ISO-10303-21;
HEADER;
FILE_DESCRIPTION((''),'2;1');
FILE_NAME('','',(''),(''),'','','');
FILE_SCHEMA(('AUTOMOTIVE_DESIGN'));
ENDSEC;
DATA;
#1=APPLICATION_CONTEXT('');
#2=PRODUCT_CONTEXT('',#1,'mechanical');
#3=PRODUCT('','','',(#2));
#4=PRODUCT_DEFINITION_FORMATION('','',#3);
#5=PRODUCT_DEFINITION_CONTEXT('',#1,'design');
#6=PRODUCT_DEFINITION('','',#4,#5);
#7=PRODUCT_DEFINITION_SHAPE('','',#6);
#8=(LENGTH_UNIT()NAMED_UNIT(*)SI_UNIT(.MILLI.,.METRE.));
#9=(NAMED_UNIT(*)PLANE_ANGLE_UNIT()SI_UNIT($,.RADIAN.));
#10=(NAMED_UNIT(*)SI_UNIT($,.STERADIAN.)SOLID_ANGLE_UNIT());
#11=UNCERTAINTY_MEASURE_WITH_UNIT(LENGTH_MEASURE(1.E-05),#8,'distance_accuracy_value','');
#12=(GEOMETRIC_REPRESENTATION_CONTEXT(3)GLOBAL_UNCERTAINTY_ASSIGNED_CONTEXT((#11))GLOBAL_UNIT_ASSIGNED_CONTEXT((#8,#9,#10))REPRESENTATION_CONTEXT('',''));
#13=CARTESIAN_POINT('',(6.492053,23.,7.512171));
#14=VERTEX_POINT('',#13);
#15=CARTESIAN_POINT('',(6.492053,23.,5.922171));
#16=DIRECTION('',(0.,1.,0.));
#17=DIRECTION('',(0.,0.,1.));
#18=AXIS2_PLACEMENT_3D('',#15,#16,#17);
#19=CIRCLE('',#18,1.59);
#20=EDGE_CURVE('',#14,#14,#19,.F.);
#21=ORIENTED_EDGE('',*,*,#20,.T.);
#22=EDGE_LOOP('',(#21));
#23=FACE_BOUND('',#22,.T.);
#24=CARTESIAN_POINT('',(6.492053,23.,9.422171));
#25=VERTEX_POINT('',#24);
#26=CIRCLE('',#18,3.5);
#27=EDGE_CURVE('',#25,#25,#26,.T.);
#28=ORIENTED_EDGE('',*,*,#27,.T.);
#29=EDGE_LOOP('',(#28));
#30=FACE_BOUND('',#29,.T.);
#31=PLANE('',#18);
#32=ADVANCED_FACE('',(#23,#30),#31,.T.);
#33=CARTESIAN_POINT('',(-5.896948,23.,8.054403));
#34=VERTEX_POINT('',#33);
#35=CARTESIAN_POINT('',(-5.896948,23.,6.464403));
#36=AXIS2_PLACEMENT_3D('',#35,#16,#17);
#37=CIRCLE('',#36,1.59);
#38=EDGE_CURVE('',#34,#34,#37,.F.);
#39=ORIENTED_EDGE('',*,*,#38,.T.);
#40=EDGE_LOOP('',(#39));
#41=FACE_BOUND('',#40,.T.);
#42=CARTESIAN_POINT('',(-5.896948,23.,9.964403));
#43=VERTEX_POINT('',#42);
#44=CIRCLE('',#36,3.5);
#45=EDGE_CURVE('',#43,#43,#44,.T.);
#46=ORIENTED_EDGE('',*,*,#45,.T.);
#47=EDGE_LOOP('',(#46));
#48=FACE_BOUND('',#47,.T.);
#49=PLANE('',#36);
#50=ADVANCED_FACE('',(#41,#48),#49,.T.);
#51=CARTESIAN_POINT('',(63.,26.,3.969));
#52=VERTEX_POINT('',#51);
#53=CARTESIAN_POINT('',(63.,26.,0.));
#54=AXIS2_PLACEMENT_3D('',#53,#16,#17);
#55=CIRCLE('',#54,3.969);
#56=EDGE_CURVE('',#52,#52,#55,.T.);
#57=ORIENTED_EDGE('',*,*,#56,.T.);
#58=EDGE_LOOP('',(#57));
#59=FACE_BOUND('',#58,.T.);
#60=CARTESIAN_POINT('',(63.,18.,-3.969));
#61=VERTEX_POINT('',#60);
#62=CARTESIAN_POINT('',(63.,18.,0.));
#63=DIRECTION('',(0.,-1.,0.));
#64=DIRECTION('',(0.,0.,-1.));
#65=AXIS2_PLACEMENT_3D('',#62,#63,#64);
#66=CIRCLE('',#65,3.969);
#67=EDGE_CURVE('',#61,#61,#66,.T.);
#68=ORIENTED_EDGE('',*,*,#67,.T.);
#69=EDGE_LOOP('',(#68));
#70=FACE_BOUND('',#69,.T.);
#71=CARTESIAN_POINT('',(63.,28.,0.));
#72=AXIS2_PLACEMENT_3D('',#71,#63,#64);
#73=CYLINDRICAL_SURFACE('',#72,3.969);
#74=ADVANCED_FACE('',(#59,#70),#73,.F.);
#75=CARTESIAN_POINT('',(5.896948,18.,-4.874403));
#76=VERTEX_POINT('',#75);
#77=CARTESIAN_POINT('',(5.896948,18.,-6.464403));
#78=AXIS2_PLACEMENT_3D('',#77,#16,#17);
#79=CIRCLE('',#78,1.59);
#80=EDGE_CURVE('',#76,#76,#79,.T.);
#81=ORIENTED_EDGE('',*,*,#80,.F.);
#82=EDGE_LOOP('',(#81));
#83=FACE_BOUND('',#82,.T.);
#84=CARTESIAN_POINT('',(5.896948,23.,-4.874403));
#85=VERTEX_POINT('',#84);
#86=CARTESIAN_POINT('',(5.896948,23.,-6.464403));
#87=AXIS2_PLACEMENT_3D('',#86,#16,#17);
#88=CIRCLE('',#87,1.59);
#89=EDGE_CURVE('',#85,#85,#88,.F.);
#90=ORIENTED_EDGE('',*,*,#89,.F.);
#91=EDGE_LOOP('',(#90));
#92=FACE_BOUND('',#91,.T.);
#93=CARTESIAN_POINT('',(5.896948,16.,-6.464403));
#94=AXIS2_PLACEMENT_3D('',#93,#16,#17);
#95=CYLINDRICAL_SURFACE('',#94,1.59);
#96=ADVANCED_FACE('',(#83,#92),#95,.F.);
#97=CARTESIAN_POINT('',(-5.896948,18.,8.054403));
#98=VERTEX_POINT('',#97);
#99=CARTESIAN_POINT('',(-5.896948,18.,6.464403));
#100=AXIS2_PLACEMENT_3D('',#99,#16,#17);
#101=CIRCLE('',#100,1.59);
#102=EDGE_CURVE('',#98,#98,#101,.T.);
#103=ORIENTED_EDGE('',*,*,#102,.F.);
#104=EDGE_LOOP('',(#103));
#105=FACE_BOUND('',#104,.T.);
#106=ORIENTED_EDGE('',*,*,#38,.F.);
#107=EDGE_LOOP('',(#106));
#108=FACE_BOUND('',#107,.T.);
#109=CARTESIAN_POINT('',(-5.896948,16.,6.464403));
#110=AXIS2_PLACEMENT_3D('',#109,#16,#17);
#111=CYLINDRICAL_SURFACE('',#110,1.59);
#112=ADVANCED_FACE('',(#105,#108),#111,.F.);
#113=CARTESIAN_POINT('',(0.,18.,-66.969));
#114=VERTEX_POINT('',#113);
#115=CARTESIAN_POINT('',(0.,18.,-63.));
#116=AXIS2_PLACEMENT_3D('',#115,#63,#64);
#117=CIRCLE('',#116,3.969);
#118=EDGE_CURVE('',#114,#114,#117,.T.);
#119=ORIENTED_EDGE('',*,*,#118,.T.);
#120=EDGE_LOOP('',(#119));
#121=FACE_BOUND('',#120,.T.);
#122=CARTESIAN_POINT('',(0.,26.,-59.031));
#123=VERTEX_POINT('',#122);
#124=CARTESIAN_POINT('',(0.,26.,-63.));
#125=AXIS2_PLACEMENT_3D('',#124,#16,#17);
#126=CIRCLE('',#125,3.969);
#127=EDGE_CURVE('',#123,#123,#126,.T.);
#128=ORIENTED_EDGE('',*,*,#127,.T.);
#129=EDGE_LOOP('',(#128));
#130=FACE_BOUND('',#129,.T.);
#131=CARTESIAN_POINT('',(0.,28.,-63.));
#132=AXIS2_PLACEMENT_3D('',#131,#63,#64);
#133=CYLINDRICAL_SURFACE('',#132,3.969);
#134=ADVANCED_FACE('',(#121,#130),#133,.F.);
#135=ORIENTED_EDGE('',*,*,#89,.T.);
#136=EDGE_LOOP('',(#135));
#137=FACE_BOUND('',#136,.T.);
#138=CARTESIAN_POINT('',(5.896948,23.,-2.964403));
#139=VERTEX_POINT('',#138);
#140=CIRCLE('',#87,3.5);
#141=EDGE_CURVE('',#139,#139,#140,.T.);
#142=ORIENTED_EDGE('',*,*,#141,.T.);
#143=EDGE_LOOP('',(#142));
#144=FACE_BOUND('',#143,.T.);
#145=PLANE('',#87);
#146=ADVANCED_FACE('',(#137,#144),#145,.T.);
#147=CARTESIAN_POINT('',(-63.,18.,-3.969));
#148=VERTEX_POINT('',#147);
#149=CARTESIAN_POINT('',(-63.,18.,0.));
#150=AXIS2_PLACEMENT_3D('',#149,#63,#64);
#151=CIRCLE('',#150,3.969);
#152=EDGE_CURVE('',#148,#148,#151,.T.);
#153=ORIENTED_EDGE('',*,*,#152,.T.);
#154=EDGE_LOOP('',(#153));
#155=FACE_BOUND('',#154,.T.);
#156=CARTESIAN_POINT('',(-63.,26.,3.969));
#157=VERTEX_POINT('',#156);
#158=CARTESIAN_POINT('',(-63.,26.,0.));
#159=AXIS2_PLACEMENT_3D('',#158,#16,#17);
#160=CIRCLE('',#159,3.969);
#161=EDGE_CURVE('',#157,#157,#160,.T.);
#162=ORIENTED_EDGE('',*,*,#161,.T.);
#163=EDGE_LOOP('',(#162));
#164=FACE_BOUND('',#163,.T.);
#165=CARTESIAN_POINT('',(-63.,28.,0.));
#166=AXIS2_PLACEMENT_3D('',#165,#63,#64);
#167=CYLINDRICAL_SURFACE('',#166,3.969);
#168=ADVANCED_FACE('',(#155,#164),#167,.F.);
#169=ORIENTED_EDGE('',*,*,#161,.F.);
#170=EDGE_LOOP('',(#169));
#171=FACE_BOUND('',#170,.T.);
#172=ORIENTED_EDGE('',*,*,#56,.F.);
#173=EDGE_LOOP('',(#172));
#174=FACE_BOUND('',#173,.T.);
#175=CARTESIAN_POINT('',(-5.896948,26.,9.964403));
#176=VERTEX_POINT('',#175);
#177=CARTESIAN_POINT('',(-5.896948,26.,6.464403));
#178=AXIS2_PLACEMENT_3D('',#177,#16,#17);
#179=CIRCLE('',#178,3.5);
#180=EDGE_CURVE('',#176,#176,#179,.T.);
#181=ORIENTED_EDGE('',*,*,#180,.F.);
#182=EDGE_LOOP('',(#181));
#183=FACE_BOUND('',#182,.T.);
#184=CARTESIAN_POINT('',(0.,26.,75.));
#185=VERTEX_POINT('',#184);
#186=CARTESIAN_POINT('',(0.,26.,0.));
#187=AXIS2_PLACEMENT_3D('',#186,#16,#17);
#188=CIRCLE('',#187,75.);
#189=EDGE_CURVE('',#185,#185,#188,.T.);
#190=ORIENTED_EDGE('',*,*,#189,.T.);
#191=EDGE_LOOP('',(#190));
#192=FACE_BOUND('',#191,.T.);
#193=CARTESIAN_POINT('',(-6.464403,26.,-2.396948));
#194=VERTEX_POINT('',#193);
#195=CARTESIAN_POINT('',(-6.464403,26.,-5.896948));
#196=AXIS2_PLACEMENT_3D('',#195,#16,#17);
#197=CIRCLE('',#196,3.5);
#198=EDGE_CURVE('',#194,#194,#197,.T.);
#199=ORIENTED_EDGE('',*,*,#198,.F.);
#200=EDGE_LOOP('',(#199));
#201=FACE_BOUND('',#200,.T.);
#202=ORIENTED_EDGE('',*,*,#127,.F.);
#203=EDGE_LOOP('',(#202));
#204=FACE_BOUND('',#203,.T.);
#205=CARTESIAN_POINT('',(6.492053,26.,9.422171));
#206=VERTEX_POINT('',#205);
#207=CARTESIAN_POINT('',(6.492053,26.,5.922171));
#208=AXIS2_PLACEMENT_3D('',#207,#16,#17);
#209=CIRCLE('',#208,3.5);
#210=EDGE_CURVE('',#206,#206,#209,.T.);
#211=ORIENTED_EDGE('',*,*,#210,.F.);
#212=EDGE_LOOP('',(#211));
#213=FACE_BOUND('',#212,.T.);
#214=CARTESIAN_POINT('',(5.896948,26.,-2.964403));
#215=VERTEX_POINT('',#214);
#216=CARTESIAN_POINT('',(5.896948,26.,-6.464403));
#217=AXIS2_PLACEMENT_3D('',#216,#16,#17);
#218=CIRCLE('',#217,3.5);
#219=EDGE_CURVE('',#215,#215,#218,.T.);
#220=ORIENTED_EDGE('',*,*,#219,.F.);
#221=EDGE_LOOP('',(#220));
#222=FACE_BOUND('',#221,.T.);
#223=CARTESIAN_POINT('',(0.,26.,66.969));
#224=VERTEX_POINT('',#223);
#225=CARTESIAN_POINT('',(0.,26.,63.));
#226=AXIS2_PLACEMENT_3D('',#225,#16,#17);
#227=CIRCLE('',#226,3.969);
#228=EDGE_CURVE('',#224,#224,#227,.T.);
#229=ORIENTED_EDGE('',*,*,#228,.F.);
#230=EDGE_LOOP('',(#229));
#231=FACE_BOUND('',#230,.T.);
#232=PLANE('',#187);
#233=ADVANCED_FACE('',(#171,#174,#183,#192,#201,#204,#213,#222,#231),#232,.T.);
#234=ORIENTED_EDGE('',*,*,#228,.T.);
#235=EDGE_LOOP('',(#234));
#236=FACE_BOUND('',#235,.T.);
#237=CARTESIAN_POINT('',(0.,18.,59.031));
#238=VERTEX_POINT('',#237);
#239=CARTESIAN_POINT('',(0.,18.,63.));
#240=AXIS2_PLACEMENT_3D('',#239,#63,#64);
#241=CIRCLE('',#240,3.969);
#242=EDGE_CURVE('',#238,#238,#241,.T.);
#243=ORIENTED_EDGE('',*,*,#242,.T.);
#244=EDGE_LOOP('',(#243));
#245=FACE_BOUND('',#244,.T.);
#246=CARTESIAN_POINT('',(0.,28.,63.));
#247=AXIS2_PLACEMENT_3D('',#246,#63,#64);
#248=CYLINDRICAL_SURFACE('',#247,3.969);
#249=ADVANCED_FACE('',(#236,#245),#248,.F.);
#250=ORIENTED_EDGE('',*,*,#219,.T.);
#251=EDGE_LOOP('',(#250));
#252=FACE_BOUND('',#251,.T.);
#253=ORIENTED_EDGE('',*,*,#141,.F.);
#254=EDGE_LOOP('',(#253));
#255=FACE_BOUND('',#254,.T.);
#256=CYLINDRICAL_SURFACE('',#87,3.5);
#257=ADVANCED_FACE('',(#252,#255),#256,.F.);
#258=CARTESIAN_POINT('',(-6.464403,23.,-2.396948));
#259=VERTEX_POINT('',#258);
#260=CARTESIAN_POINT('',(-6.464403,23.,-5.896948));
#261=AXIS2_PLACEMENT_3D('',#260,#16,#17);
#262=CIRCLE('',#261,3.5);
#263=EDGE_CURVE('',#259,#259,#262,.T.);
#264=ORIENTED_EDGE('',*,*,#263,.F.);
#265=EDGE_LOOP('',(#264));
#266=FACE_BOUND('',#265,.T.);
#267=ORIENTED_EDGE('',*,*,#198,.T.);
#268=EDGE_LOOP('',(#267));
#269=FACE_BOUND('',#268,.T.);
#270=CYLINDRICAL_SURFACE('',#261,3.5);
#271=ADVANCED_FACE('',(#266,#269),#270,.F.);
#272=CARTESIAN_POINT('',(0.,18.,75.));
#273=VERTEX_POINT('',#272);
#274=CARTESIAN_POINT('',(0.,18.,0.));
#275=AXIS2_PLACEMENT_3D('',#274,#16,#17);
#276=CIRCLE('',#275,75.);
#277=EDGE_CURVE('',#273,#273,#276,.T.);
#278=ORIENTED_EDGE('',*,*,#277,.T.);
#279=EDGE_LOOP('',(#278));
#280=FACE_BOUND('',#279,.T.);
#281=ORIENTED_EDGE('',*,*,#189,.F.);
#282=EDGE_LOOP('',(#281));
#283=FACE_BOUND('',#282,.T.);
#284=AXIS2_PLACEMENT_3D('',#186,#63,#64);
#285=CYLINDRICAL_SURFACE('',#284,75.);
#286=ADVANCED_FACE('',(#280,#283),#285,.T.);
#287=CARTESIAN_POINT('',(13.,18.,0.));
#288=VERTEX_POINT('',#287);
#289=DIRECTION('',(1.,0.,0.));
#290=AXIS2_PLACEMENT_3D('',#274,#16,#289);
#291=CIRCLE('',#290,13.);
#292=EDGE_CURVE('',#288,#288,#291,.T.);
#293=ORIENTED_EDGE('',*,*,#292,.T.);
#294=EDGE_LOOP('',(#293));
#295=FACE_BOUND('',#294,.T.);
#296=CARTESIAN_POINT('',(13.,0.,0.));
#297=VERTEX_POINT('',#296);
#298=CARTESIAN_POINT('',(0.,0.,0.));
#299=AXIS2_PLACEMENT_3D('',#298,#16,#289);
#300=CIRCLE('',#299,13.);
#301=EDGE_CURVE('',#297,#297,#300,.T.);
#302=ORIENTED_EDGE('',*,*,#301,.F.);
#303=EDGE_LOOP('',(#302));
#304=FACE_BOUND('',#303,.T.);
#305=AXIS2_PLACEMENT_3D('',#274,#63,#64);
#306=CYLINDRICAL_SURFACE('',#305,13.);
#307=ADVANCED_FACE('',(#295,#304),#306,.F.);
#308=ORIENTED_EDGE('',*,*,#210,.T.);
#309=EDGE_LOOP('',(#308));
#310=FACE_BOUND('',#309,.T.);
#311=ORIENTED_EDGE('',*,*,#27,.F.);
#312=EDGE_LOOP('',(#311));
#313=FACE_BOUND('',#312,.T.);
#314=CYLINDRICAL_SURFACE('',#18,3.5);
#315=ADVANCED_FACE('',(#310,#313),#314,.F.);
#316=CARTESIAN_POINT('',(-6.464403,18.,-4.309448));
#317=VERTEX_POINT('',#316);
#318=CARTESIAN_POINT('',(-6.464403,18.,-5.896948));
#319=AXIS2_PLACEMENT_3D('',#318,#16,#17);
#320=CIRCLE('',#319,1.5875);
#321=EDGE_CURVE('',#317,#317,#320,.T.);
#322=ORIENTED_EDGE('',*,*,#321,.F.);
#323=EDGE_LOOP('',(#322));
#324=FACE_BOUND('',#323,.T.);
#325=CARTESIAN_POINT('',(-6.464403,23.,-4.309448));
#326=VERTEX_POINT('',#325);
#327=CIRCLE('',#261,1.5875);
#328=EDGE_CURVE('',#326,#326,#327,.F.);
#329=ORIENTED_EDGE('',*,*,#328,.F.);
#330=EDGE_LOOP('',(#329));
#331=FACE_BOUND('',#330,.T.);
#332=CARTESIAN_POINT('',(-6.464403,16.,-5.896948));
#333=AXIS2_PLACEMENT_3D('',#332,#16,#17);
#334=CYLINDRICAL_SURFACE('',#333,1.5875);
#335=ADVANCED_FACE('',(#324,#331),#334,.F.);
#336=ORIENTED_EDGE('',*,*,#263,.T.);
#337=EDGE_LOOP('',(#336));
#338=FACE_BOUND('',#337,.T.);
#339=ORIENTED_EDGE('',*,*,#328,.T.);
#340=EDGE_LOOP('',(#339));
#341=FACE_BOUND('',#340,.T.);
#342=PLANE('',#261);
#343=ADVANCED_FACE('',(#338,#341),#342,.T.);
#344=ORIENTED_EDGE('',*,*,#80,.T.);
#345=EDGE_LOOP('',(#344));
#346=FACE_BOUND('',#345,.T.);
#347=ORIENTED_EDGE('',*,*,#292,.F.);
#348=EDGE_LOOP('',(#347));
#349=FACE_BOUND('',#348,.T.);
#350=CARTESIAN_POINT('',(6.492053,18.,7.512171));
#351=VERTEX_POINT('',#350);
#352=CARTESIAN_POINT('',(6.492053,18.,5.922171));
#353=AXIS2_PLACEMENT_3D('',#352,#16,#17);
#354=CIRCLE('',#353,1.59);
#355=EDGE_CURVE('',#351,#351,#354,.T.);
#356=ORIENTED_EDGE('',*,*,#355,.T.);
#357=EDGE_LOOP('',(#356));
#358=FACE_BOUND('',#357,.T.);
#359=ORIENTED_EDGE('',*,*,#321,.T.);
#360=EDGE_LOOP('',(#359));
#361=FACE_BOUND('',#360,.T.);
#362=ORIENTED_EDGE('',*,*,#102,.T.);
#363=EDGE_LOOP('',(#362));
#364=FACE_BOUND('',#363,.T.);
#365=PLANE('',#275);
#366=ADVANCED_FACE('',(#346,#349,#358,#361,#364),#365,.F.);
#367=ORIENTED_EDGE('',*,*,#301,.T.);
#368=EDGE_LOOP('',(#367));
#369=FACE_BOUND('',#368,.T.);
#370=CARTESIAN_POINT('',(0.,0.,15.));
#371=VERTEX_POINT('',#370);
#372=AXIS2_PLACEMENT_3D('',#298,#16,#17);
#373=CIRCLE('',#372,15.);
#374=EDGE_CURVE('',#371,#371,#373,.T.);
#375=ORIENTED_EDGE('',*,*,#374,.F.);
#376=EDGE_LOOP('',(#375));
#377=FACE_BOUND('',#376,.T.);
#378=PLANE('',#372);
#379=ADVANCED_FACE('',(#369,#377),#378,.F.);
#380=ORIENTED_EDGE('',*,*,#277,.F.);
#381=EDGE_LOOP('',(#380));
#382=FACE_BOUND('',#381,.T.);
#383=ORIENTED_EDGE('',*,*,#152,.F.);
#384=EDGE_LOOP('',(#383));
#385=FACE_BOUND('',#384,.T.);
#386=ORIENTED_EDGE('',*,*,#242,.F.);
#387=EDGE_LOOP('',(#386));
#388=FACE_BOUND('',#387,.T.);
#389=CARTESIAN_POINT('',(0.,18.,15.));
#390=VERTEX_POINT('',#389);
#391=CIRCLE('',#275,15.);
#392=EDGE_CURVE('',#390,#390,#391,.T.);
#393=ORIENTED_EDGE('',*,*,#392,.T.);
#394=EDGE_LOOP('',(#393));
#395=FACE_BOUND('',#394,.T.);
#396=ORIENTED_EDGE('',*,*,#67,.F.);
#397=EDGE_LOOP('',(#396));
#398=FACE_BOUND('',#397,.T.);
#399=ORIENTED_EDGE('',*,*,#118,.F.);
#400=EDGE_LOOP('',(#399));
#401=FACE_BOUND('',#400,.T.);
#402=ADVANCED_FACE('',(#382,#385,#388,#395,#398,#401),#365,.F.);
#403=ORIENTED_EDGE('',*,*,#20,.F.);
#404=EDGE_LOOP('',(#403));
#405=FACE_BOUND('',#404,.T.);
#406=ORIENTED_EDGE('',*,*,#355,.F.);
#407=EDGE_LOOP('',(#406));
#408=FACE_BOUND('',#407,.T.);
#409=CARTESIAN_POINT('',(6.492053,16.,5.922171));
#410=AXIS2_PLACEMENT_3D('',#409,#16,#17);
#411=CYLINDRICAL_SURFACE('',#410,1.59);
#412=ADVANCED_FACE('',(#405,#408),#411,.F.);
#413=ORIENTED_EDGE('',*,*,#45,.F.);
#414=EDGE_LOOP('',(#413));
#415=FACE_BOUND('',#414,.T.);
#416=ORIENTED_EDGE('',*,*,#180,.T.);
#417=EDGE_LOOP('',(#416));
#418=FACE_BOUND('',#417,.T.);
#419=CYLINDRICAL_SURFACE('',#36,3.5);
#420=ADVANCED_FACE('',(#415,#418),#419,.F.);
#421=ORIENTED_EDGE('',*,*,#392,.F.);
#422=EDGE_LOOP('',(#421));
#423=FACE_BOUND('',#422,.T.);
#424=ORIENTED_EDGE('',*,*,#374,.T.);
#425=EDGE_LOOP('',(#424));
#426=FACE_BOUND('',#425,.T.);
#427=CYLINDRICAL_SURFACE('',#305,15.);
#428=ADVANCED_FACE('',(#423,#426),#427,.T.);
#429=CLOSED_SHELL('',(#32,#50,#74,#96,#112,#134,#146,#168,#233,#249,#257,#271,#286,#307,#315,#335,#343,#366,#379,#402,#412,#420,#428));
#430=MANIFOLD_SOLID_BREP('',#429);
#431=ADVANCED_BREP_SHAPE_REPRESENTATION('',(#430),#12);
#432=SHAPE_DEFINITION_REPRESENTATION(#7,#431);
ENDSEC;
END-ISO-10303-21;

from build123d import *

# Parameters (mm, degrees)
CROQUIS1_R              = 15
CROQUIS1_R_2            = 13
EXTRUIR_L_MINA1_DEPTH   = 18
CROQUIS2_R              = 75
SALIENTE_EXTRUIR1_DEPTH = 8
CROQUIS3_R              = 1.59
CROQUIS3_R_2            = 1.5875
CORTAR_EXTRUIR1_DEPTH   = 10
CROQUIS5_R              = 3.969
CORTAR_EXTRUIR2_DEPTH   = 10
CROQUIS6_R              = 3.5
CORTAR_EXTRUIR3_DEPTH   = 3


with BuildPart() as part:
    # Croquis1 → Extruir-Lámina1 (new body)
    with BuildSketch(Plane(origin=(0, 0, 0), x_dir=(1, 0, 0), z_dir=(0, 1, 0))):
        Circle(CROQUIS1_R)
        Circle(CROQUIS1_R_2, mode=Mode.SUBTRACT)
    extrude(amount=EXTRUIR_L_MINA1_DEPTH)

    # Croquis2 → Saliente-Extruir1 (add)
    with BuildSketch(Plane(origin=(0, 18, 0), x_dir=(1, 0, 0), z_dir=(0, 1, 0))):
        Circle(CROQUIS2_R)
    extrude(amount=SALIENTE_EXTRUIR1_DEPTH)

    # Croquis3 → Cortar-Extruir1 (cut)
    with BuildSketch(Plane(origin=(0, 26, 0), x_dir=(1, 0, 0), z_dir=(0, 1, 0))):
        with Locations((5.896947673, 6.464403154)):
            Circle(CROQUIS3_R)
        with Locations((-5.896947673, -6.464403154)):
            Circle(CROQUIS3_R)
        with Locations((6.492053366, -5.922170706)):
            Circle(CROQUIS3_R)
        with Locations((-6.464403154, 5.896947673)):
            Circle(CROQUIS3_R_2)
    extrude(amount=-CORTAR_EXTRUIR1_DEPTH, mode=Mode.SUBTRACT)

    # Croquis5 → Cortar-Extruir2 (cut)
    with BuildSketch(Plane.XZ.offset(-18)):
        with Locations((0, -63)):
            Circle(CROQUIS5_R)
        with Locations((-63, 0)):
            Circle(CROQUIS5_R)
        with Locations((0, 63)):
            Circle(CROQUIS5_R)
        with Locations((63, 0)):
            Circle(CROQUIS5_R)
    extrude(amount=-CORTAR_EXTRUIR2_DEPTH, mode=Mode.SUBTRACT)

    # Croquis6 → Cortar-Extruir3 (cut)
    with BuildSketch(Plane(origin=(0, 26, 0), x_dir=(1, 0, 0), z_dir=(0, 1, 0))):
        with Locations((5.896947673, 6.464403154)):
            Circle(CROQUIS6_R)
        with Locations((-6.464403154, 5.896947673)):
            Circle(CROQUIS6_R)
        with Locations((-5.896947673, -6.464403154)):
            Circle(CROQUIS6_R)
        with Locations((6.492053366, -5.922170706)):
            Circle(CROQUIS6_R)
    extrude(amount=-CORTAR_EXTRUIR3_DEPTH, mode=Mode.SUBTRACT)


solid = part.part
